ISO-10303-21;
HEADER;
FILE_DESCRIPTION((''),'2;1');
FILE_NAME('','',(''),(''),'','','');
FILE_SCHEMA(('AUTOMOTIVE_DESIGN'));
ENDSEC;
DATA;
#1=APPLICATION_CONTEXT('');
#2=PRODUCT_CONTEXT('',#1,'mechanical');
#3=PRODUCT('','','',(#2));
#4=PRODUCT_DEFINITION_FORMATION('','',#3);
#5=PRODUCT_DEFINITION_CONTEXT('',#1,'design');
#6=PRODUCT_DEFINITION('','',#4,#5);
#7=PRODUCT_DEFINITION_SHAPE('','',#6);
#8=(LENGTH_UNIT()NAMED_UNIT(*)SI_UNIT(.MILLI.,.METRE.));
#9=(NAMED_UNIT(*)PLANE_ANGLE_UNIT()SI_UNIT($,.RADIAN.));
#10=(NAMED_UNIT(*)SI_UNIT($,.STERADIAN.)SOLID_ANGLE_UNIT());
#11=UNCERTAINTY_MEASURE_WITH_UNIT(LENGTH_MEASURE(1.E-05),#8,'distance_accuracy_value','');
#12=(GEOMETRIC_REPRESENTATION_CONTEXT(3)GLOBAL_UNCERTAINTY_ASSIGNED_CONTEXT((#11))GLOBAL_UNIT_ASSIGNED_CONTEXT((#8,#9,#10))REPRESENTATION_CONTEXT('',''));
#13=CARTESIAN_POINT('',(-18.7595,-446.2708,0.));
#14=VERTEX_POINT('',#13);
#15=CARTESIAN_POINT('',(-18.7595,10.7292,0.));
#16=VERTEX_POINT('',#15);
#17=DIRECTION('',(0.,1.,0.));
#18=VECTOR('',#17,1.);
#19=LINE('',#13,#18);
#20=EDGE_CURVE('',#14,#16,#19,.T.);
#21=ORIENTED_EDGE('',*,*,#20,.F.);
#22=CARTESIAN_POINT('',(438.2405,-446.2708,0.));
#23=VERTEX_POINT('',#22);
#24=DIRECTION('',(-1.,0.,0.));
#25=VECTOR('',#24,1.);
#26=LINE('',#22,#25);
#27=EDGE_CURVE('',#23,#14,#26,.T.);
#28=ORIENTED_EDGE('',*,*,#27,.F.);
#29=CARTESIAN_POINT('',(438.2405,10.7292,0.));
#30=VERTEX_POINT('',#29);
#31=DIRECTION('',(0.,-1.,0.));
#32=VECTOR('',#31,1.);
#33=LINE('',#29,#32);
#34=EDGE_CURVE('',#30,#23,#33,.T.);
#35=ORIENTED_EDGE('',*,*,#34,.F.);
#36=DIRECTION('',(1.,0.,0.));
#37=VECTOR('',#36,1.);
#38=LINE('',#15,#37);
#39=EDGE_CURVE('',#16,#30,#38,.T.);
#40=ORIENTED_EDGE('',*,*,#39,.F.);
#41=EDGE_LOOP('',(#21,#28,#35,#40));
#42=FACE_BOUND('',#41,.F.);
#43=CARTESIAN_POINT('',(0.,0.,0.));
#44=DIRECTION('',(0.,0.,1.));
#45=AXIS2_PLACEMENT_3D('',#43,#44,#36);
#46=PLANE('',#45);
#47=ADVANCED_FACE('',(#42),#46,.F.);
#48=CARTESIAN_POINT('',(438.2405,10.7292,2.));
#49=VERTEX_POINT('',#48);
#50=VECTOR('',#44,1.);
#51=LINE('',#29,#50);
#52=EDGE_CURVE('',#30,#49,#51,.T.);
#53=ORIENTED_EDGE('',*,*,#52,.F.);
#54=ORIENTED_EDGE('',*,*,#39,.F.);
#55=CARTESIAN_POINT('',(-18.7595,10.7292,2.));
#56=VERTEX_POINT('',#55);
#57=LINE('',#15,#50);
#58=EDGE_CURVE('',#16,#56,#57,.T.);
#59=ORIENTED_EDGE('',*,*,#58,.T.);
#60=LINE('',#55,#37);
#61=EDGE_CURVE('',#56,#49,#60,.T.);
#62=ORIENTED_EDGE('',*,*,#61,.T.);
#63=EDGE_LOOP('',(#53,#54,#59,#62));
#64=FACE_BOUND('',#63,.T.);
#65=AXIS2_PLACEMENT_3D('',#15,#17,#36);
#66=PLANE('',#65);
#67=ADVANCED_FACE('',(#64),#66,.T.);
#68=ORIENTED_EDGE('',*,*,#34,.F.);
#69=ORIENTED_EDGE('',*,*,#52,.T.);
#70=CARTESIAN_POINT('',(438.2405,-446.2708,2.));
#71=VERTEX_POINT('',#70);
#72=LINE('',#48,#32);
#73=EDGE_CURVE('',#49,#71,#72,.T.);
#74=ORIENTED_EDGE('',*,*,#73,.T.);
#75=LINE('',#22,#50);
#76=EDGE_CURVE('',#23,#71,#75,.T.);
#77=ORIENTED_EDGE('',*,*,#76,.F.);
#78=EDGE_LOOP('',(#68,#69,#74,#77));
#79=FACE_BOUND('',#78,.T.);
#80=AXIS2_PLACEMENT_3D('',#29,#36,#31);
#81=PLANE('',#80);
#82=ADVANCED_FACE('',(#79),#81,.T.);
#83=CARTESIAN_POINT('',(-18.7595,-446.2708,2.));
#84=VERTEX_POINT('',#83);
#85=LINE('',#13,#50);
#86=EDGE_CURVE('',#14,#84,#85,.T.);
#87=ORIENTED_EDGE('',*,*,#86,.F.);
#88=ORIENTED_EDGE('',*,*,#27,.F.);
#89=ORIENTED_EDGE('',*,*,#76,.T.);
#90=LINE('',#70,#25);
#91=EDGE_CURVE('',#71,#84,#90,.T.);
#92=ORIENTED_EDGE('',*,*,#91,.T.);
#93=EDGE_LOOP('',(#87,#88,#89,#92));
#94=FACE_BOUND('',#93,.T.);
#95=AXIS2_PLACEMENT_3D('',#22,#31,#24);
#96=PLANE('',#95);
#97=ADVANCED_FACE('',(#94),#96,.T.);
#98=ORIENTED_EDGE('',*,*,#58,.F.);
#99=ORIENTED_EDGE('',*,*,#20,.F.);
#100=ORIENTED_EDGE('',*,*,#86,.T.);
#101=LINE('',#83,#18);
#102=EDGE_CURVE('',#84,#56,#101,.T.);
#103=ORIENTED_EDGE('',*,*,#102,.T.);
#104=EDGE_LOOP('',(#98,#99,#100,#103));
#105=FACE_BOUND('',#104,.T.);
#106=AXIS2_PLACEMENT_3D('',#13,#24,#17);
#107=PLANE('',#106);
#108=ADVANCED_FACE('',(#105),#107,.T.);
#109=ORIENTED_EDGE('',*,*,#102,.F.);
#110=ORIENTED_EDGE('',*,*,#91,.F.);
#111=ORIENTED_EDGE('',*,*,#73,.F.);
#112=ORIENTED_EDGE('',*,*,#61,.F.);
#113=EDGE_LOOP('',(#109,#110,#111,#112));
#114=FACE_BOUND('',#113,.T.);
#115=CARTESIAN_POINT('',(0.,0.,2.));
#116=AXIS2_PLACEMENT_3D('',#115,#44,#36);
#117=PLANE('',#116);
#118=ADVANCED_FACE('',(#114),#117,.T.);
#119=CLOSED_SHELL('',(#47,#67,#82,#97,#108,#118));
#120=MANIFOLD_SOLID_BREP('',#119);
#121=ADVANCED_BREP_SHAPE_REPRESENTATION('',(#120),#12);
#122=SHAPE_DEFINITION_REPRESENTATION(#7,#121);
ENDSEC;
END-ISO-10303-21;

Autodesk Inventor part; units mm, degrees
ref_plane "YZ Plane" through (0, 0, 0) normal (1, 0, 0) x (0, 1, 0)
ref_plane "XZ Plane" through (0, 0, 0) normal (0, 1, 0) x (-1, 0, 0)
ref_plane "XY Plane" through (0, 0, 0) normal (0, 0, 1) x (1, 0, 0)
sketch "Sketch1" plane through (0, 0, 0) normal (0, 0, 1) x (1, 0, 0)
  line L0 (-18.7595, 10.7292) -> (438.2405, 10.7292)
  line L1 (438.2405, 10.7292) -> (438.2405, -446.2708)
  line L2 (438.2405, -446.2708) -> (-18.7595, -446.2708)
  line L3 (-18.7595, -446.2708) -> (-18.7595, 10.7292)
  point P0 (0, 0)
  dimension "d0" = 457
  dimension "d1" = 457
extrude "Extrusion1" add sketch "Sketch1" along normal blind 2
sketch "Sketch2" plane through (0, 0, 2) normal (0, 0, 1) x (1, 0, 0)
  line L0 (-18.7595, 10.7292) -> (-18.7595, -446.2708) projected
  line L1 (438.2405, -446.2708) -> (438.2405, 10.7292) projected
  line L2 (-18.7595, -446.2708) -> (438.2405, -446.2708) projected
  line L3 (438.2405, 10.7292) -> (-18.7595, 10.7292) projected
  point P0 (0, 0)
  dimension "d4" = 457
  dimension "d5" = 457
properties part number "upperplate01"
